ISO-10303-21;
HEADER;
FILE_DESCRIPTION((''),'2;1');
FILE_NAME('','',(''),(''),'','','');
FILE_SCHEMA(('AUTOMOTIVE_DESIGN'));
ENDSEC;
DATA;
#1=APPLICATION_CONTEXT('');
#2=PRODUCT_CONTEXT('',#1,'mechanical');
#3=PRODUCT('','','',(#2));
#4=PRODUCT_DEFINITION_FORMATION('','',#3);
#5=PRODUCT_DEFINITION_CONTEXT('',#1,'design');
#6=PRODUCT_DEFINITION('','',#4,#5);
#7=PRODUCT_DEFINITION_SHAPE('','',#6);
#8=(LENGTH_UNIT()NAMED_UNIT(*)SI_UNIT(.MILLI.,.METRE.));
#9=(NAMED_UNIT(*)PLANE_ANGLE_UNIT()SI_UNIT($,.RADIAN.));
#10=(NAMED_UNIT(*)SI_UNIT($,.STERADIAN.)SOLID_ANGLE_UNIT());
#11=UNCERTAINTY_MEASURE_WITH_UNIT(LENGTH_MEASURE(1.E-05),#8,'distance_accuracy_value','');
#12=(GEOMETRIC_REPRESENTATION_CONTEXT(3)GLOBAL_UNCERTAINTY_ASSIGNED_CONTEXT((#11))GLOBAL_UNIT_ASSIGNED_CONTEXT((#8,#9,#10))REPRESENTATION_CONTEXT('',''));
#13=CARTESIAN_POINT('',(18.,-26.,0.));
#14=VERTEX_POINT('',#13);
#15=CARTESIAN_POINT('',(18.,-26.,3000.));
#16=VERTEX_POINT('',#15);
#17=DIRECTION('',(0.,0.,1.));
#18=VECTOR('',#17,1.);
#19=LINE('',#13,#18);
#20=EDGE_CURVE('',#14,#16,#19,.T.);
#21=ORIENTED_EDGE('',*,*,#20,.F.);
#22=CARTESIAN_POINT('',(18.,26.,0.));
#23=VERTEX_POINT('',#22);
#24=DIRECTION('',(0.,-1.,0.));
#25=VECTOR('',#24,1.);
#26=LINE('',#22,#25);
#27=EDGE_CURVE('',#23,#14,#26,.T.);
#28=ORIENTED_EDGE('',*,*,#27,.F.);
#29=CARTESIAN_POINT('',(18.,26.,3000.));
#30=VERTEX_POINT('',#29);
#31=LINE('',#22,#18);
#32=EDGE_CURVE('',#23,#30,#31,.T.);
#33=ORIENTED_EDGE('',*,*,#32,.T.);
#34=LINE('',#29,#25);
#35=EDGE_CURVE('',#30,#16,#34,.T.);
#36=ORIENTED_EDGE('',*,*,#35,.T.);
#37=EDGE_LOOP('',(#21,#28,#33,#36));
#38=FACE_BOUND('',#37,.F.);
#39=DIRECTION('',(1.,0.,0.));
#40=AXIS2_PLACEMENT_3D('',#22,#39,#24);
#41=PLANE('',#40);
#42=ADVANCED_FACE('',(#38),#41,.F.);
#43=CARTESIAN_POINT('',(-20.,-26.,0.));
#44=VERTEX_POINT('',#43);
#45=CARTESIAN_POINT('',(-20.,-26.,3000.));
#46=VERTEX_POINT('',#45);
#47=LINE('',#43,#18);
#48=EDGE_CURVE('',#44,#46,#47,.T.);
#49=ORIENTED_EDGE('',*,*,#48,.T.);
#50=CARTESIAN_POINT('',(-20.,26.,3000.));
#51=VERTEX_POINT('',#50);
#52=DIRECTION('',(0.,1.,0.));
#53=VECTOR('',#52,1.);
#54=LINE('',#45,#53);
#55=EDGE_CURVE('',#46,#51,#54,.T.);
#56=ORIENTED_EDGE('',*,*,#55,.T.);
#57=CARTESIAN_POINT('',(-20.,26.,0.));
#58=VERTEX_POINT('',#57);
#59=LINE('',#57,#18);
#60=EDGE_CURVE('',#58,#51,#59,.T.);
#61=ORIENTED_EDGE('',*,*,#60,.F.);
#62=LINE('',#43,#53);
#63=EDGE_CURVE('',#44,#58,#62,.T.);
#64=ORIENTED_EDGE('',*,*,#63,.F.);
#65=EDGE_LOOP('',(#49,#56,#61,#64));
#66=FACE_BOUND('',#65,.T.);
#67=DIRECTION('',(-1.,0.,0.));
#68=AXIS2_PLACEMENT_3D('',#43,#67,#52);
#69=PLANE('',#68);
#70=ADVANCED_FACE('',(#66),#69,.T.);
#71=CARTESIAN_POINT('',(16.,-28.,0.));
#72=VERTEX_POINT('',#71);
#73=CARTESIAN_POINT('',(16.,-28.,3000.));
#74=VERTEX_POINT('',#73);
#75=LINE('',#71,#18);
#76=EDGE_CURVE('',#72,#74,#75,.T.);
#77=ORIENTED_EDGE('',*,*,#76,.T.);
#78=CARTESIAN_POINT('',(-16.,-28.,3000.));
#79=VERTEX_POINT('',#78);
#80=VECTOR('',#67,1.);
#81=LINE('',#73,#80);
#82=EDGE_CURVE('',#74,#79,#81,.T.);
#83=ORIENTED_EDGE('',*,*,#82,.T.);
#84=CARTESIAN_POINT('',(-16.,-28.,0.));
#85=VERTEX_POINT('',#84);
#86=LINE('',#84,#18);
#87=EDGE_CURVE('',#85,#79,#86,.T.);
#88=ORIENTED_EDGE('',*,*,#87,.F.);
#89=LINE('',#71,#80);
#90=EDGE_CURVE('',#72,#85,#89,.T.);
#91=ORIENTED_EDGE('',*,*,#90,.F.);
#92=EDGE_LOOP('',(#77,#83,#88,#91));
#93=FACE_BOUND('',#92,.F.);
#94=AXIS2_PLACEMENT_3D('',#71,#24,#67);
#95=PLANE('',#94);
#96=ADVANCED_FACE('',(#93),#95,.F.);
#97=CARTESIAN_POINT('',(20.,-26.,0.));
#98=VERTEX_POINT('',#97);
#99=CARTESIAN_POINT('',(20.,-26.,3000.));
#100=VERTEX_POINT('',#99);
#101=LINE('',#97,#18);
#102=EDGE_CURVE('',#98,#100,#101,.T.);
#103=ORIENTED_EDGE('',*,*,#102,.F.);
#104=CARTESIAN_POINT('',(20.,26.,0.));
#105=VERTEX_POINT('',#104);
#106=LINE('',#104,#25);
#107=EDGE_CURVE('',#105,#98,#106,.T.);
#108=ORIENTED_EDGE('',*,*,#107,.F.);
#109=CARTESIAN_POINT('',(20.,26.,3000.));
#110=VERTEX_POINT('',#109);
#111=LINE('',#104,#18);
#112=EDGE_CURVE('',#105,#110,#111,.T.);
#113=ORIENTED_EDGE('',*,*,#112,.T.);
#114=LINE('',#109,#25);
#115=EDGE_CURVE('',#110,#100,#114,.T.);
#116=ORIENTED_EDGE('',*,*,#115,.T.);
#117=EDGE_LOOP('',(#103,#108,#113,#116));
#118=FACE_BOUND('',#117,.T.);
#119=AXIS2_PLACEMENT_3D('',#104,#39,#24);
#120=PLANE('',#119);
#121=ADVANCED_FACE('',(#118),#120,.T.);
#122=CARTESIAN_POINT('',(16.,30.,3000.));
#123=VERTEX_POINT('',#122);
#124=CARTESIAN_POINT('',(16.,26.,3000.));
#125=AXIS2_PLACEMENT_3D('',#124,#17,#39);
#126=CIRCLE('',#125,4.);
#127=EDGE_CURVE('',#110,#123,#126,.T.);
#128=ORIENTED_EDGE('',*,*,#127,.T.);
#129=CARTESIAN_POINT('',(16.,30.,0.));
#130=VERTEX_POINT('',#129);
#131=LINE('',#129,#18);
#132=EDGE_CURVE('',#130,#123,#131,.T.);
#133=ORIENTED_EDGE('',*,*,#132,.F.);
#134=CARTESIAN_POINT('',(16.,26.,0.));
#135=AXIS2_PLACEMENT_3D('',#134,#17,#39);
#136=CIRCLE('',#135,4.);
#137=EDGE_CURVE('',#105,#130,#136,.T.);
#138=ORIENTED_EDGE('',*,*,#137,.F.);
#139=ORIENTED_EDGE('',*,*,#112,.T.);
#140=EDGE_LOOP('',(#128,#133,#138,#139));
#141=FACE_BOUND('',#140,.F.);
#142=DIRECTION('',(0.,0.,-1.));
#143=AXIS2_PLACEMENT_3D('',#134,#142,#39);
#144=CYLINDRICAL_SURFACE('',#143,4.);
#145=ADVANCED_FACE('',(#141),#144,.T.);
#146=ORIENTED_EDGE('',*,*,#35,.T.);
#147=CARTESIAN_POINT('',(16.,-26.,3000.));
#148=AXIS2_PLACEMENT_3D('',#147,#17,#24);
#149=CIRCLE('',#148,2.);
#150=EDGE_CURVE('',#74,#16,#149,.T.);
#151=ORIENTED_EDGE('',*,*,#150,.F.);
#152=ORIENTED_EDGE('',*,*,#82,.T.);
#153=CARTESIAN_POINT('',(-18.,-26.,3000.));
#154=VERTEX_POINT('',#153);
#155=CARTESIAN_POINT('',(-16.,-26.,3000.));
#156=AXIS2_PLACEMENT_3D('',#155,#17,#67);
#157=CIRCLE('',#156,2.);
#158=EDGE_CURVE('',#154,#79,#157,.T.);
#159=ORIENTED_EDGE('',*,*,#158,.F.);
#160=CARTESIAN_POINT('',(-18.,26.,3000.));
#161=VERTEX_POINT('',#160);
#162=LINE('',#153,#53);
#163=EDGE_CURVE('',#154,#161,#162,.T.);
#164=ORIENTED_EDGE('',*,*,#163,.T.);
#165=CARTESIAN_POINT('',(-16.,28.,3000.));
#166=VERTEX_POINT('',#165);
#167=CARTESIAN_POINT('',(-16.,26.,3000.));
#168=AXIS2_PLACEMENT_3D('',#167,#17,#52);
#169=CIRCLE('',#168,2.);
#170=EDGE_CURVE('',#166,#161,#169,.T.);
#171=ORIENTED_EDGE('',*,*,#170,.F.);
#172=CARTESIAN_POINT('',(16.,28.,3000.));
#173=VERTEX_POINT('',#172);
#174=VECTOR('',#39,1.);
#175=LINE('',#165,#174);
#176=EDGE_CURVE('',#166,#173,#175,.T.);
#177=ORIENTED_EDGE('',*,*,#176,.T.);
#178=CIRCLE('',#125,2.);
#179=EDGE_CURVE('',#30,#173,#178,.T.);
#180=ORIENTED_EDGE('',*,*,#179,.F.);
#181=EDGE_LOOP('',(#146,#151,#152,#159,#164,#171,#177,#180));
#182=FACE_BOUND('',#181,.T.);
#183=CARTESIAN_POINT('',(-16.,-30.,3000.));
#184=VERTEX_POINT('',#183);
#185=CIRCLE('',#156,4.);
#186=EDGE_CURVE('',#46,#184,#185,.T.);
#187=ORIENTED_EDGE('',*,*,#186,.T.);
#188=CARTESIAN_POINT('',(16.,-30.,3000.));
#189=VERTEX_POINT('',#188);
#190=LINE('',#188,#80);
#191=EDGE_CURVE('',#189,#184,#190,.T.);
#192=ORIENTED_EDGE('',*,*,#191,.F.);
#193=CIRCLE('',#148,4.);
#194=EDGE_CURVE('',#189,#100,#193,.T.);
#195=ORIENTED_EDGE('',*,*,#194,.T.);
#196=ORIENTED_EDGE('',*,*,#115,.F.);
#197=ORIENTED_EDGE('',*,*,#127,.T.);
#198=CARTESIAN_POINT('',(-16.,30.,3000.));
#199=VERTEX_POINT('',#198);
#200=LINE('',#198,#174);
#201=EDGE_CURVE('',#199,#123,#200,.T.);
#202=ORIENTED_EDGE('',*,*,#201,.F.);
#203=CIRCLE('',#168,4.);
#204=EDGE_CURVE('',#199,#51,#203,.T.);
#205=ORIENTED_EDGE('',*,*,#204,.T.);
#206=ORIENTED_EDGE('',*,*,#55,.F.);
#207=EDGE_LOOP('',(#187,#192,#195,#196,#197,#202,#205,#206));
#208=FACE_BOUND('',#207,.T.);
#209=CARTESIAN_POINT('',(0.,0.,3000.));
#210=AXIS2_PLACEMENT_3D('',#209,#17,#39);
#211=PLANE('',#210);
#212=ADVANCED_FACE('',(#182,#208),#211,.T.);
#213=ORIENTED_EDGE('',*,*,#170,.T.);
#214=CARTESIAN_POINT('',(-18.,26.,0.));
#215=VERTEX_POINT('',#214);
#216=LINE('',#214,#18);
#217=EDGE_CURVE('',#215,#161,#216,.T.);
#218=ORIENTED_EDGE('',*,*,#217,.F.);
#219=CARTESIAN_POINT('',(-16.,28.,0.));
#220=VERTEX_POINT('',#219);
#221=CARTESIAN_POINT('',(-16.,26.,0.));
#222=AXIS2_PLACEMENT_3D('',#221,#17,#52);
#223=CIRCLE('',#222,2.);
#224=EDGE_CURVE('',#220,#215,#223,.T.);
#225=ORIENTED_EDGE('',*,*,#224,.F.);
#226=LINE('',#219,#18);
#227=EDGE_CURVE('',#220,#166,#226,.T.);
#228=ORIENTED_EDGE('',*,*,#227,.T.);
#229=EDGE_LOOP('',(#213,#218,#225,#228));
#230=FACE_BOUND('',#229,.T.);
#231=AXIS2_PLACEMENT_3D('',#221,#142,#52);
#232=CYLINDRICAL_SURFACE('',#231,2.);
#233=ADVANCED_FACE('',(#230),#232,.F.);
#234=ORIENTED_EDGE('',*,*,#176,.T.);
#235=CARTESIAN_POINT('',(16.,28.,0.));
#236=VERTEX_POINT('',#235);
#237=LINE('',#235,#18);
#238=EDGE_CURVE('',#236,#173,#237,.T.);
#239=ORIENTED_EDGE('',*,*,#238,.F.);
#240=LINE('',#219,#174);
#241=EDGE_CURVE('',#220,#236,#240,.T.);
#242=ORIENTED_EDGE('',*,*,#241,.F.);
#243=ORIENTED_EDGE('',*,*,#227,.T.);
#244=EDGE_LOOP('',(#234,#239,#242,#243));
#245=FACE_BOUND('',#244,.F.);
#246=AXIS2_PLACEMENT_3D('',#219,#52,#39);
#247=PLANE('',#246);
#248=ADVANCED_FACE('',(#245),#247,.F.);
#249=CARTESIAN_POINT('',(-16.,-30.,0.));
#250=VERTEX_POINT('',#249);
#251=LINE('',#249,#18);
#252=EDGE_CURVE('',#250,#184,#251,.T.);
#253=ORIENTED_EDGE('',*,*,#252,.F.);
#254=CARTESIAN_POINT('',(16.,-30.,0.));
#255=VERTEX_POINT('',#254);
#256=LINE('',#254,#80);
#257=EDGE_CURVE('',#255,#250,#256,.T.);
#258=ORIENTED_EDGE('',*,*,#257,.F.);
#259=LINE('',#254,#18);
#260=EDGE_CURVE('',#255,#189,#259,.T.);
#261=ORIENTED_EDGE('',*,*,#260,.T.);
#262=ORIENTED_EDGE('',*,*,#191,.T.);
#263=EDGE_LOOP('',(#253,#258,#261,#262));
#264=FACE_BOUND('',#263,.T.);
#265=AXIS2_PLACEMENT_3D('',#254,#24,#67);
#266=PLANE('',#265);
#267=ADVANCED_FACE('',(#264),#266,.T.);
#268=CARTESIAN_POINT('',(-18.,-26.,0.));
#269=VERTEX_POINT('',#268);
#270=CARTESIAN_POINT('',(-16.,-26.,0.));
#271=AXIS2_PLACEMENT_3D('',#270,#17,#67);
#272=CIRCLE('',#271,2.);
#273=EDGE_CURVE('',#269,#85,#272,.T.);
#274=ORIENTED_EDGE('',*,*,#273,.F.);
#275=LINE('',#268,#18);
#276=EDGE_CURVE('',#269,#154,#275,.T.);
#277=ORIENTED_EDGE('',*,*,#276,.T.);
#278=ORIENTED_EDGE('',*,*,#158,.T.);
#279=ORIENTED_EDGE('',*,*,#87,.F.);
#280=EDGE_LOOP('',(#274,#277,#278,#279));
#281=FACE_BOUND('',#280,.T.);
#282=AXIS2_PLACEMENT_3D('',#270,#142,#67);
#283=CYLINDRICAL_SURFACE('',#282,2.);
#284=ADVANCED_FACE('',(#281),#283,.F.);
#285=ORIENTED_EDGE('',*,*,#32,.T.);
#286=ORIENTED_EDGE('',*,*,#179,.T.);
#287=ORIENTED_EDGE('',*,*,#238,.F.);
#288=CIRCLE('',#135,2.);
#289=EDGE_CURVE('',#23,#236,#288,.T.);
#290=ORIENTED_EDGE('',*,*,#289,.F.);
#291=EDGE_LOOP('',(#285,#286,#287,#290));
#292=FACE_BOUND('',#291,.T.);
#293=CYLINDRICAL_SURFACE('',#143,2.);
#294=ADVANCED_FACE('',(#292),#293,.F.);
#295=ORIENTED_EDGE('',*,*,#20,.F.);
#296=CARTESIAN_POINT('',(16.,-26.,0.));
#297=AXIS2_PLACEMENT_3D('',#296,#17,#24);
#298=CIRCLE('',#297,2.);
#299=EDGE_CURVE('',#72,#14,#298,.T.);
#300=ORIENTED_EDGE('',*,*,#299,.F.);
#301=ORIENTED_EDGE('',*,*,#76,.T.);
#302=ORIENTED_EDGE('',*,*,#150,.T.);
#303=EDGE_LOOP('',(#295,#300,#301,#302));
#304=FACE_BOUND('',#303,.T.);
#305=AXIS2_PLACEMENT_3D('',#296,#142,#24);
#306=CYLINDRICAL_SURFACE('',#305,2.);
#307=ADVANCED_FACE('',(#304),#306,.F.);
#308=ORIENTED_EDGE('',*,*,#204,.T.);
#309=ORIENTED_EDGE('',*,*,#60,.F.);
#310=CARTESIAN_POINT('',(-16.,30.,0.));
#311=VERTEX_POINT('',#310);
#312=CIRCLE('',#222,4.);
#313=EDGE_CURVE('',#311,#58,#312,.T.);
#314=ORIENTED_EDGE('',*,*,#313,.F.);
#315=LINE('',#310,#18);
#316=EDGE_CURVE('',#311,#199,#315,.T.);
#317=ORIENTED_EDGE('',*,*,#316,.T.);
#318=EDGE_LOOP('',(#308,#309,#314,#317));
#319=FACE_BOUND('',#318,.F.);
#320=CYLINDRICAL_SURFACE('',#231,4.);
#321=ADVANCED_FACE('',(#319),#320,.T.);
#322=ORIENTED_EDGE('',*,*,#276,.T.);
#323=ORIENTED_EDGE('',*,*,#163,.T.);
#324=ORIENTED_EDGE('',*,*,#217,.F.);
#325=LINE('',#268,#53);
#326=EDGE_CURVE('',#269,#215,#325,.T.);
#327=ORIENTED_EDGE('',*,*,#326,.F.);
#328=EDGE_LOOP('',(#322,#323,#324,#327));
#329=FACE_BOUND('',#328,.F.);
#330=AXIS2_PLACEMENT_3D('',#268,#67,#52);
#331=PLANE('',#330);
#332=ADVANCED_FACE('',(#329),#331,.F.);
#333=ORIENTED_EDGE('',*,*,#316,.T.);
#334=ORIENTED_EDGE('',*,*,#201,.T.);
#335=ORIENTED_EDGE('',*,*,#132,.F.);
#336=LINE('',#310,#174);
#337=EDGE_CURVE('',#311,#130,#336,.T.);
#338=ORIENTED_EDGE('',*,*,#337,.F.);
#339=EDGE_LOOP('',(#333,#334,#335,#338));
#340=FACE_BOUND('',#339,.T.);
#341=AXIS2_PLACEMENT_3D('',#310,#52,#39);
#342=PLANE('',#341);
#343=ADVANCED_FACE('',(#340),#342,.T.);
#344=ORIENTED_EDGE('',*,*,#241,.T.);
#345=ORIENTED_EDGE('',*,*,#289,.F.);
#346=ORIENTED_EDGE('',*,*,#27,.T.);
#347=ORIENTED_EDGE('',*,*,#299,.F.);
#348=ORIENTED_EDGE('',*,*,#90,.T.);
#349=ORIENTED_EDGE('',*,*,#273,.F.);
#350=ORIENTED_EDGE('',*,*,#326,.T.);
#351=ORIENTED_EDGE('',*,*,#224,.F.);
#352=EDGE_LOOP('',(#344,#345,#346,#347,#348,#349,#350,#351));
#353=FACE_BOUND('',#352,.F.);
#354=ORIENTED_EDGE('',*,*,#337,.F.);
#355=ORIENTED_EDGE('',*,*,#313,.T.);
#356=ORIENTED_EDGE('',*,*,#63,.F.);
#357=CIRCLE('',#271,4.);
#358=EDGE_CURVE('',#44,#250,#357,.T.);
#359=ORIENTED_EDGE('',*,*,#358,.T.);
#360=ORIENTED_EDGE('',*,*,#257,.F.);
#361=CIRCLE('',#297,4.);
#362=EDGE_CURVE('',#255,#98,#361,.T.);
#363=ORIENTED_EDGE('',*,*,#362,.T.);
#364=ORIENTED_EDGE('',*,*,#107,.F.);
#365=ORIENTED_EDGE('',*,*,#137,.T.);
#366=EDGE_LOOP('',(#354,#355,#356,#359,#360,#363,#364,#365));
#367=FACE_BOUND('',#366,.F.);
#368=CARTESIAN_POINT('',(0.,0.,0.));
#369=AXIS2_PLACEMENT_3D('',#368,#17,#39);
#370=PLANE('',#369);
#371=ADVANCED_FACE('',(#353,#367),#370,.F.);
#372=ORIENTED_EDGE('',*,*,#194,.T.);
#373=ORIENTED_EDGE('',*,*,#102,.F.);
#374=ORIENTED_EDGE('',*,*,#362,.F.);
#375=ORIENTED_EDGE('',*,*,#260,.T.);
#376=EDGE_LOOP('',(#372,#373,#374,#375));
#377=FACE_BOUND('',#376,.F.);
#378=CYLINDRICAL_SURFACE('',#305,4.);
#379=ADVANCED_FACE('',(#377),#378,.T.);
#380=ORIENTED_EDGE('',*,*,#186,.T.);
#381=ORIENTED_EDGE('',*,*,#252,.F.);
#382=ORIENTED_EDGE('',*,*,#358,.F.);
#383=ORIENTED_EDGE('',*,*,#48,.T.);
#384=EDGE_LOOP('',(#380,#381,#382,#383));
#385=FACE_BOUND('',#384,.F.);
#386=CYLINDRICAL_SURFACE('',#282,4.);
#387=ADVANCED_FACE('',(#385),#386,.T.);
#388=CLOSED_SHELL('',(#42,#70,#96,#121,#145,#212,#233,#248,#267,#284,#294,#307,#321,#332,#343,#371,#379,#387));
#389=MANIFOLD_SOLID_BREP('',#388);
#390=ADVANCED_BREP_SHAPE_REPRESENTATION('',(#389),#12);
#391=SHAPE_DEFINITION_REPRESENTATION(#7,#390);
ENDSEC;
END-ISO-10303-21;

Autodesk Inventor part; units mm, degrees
ref_plane "YZ Plane" through (0, 0, 0) normal (1, 0, 0) x (0, 1, 0)
ref_plane "Start Plane" through (0, 0, 0) normal (0, 0, 1) x (1, 0, 0)
ref_plane "End Plane" through (0, 0, 3000) normal (0, 0, 1) x (1, 0, 0)
sketch "Sketch" plane through (0, 0, 0) normal (0, 0, 1) x (1, 0, 0)
  line L0 (-20, -26) -> (-20, 26)
  line L1 (-16, 30) -> (16, 30)
  line L2 (20, 26) -> (20, -26)
  line L3 (16, -30) -> (-16, -30)
  arc A0 (-20, -26) -> (-16, -30) centre (-16, -26) ccw
  arc A1 (20, 26) -> (16, 30) centre (16, 26) ccw
  arc A2 (-16, 30) -> (-20, 26) centre (-16, 26) ccw
  arc A3 (16, -30) -> (20, -26) centre (16, -26) ccw
  arc A4 (-16, 28) -> (-18, 26) centre (-16, 26) ccw
  line L4 (-16, 28) -> (16, 28)
  arc A5 (18, 26) -> (16, 28) centre (16, 26) ccw
  line L5 (18, 26) -> (18, -26)
  arc A6 (16, -28) -> (18, -26) centre (16, -26) ccw
  line L6 (16, -28) -> (-16, -28)
  arc A7 (-18, -26) -> (-16, -28) centre (-16, -26) ccw
  line L7 (-18, -26) -> (-18, 26)
  line L8 (0, 43.1598) -> (0, -43.1598) construction
  line L9 (-29.1598, 0) -> (29.1598, 0) construction
  dimension "d7" = 4
  dimension "d9" = 40
  dimension "d11" = 60
  dimension "d12" = 2
  dimension "d15" = 20
  dimension "d16" = 30
extrude "Body" add sketch "Sketch" along normal up to surface (3000 mm away) from surface at 0
sketch "Sketch3" plane through (0, 0, 0) normal (0, 0, 1) x (1, 0, 0)
  line L0 (0, 0) -> (10, 0)
ref_plane "Work Plane3" through (0, 0, 0) normal (0, -1, 0) x (1, 0, 0)
sketch "Sketch4" plane through (0, 0, 0) normal (0, -1, 0) x (1, 0, 0)
  line L0 (-2, 0) -> (12, 0) projected
  line L1 (-2, 3000) -> (12, 3000) projected
  dimension "d18" = 3000
equation "\"d7\" = G_IR"
equation "\"d9\" = G_W"
equation "\"d11\" = G_H"
equation "\"d12\" = G_T"
equation "\"d15\" = 0.5 * d9"
equation "\"d16\" = 0.5 * d11"
equation "\"d3\" = G_L"
equation "\"G_W\" = 40"
equation "\"G_H\" = 60"
equation "\"G_T\" = 2"
equation "\"G_IR\" = 4"
equation "\"G_L\" = d18"
equation "\"G_OFFSET_START\" = 0"
equation "\"G_OFFSET_END\" = 0"
properties part number "ISO 10799-2 - 60x40x2 - 3000" material "Steel, Mild"
